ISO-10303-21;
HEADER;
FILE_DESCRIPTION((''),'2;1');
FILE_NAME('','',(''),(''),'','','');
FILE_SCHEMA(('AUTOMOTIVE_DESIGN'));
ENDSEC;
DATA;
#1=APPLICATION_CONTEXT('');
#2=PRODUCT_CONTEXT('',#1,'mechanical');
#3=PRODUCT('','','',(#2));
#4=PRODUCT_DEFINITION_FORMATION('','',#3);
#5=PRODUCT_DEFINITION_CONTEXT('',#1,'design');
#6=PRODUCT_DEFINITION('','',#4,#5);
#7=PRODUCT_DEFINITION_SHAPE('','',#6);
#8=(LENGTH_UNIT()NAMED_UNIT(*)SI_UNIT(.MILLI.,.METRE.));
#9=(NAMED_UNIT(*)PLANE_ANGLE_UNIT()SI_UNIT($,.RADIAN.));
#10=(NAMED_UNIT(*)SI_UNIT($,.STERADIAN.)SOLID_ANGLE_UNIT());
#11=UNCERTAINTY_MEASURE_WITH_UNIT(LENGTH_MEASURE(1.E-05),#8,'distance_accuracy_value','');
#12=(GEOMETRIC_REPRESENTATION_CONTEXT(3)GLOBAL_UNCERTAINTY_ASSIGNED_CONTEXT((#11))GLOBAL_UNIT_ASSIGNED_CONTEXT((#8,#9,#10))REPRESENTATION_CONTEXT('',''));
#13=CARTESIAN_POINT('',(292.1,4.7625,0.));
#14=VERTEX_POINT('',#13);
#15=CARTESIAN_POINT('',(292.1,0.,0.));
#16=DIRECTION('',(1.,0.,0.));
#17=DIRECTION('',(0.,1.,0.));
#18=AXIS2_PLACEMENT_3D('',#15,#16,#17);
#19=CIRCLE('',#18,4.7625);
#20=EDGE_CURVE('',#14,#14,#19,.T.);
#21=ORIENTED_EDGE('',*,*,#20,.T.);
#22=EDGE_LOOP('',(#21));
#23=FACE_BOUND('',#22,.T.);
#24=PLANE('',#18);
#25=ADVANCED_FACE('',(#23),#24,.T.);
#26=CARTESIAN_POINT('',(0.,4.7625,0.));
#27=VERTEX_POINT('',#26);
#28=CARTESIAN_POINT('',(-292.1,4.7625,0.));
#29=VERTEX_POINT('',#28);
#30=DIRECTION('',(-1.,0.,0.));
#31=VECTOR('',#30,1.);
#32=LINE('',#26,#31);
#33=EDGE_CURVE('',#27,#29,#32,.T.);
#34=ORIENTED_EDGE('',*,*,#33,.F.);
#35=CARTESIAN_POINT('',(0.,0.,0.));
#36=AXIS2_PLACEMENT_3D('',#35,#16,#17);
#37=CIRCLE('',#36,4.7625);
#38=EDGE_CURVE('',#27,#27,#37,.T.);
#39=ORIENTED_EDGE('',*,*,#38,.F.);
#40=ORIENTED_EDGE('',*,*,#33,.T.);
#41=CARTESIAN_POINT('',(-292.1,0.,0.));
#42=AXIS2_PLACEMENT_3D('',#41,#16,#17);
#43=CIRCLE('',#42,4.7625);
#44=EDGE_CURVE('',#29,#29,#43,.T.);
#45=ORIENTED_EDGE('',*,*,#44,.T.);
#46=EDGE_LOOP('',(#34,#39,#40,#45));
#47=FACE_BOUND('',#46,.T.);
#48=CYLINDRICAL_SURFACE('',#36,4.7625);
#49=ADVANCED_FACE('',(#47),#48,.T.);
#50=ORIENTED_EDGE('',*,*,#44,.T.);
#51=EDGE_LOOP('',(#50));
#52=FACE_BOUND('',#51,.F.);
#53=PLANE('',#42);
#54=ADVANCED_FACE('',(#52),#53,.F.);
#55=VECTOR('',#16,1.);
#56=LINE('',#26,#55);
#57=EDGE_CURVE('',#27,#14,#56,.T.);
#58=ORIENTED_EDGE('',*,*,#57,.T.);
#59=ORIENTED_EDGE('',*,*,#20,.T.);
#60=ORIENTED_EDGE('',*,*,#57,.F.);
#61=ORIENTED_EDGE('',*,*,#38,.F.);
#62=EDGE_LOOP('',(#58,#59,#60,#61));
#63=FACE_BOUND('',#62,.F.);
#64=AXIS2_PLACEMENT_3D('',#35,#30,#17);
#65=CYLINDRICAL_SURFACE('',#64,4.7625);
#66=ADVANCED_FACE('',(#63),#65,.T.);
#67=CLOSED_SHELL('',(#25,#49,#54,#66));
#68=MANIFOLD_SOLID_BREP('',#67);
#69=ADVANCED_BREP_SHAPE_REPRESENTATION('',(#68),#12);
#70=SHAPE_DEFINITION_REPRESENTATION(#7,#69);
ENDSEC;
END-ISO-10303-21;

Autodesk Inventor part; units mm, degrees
ref_plane "XZ Plane" through (0, 0, 0) normal (0, 1, 0) x (-1, 0, 0)
ref_plane "XY Plane" through (0, 0, 0) normal (0, 0, 1) x (1, 0, 0)
sketch "Sketch1" plane through (0, 0, 0) normal (1, 0, 0) x (0, 1, 0)
  circle A0 centre (0, 0) radius 4.7625
  dimension "d0" = 9.525
extrude "Extrusion1" add sketch "Sketch1" along normal mid plane 584.2
equation "\"d0\" = axelDiam"
equation "\"d1\" = axelLength"
equation "\"axelDiam\" = 9.525"
equation "\"axelLength\" = 584.2"
properties part number "rearAxel"
